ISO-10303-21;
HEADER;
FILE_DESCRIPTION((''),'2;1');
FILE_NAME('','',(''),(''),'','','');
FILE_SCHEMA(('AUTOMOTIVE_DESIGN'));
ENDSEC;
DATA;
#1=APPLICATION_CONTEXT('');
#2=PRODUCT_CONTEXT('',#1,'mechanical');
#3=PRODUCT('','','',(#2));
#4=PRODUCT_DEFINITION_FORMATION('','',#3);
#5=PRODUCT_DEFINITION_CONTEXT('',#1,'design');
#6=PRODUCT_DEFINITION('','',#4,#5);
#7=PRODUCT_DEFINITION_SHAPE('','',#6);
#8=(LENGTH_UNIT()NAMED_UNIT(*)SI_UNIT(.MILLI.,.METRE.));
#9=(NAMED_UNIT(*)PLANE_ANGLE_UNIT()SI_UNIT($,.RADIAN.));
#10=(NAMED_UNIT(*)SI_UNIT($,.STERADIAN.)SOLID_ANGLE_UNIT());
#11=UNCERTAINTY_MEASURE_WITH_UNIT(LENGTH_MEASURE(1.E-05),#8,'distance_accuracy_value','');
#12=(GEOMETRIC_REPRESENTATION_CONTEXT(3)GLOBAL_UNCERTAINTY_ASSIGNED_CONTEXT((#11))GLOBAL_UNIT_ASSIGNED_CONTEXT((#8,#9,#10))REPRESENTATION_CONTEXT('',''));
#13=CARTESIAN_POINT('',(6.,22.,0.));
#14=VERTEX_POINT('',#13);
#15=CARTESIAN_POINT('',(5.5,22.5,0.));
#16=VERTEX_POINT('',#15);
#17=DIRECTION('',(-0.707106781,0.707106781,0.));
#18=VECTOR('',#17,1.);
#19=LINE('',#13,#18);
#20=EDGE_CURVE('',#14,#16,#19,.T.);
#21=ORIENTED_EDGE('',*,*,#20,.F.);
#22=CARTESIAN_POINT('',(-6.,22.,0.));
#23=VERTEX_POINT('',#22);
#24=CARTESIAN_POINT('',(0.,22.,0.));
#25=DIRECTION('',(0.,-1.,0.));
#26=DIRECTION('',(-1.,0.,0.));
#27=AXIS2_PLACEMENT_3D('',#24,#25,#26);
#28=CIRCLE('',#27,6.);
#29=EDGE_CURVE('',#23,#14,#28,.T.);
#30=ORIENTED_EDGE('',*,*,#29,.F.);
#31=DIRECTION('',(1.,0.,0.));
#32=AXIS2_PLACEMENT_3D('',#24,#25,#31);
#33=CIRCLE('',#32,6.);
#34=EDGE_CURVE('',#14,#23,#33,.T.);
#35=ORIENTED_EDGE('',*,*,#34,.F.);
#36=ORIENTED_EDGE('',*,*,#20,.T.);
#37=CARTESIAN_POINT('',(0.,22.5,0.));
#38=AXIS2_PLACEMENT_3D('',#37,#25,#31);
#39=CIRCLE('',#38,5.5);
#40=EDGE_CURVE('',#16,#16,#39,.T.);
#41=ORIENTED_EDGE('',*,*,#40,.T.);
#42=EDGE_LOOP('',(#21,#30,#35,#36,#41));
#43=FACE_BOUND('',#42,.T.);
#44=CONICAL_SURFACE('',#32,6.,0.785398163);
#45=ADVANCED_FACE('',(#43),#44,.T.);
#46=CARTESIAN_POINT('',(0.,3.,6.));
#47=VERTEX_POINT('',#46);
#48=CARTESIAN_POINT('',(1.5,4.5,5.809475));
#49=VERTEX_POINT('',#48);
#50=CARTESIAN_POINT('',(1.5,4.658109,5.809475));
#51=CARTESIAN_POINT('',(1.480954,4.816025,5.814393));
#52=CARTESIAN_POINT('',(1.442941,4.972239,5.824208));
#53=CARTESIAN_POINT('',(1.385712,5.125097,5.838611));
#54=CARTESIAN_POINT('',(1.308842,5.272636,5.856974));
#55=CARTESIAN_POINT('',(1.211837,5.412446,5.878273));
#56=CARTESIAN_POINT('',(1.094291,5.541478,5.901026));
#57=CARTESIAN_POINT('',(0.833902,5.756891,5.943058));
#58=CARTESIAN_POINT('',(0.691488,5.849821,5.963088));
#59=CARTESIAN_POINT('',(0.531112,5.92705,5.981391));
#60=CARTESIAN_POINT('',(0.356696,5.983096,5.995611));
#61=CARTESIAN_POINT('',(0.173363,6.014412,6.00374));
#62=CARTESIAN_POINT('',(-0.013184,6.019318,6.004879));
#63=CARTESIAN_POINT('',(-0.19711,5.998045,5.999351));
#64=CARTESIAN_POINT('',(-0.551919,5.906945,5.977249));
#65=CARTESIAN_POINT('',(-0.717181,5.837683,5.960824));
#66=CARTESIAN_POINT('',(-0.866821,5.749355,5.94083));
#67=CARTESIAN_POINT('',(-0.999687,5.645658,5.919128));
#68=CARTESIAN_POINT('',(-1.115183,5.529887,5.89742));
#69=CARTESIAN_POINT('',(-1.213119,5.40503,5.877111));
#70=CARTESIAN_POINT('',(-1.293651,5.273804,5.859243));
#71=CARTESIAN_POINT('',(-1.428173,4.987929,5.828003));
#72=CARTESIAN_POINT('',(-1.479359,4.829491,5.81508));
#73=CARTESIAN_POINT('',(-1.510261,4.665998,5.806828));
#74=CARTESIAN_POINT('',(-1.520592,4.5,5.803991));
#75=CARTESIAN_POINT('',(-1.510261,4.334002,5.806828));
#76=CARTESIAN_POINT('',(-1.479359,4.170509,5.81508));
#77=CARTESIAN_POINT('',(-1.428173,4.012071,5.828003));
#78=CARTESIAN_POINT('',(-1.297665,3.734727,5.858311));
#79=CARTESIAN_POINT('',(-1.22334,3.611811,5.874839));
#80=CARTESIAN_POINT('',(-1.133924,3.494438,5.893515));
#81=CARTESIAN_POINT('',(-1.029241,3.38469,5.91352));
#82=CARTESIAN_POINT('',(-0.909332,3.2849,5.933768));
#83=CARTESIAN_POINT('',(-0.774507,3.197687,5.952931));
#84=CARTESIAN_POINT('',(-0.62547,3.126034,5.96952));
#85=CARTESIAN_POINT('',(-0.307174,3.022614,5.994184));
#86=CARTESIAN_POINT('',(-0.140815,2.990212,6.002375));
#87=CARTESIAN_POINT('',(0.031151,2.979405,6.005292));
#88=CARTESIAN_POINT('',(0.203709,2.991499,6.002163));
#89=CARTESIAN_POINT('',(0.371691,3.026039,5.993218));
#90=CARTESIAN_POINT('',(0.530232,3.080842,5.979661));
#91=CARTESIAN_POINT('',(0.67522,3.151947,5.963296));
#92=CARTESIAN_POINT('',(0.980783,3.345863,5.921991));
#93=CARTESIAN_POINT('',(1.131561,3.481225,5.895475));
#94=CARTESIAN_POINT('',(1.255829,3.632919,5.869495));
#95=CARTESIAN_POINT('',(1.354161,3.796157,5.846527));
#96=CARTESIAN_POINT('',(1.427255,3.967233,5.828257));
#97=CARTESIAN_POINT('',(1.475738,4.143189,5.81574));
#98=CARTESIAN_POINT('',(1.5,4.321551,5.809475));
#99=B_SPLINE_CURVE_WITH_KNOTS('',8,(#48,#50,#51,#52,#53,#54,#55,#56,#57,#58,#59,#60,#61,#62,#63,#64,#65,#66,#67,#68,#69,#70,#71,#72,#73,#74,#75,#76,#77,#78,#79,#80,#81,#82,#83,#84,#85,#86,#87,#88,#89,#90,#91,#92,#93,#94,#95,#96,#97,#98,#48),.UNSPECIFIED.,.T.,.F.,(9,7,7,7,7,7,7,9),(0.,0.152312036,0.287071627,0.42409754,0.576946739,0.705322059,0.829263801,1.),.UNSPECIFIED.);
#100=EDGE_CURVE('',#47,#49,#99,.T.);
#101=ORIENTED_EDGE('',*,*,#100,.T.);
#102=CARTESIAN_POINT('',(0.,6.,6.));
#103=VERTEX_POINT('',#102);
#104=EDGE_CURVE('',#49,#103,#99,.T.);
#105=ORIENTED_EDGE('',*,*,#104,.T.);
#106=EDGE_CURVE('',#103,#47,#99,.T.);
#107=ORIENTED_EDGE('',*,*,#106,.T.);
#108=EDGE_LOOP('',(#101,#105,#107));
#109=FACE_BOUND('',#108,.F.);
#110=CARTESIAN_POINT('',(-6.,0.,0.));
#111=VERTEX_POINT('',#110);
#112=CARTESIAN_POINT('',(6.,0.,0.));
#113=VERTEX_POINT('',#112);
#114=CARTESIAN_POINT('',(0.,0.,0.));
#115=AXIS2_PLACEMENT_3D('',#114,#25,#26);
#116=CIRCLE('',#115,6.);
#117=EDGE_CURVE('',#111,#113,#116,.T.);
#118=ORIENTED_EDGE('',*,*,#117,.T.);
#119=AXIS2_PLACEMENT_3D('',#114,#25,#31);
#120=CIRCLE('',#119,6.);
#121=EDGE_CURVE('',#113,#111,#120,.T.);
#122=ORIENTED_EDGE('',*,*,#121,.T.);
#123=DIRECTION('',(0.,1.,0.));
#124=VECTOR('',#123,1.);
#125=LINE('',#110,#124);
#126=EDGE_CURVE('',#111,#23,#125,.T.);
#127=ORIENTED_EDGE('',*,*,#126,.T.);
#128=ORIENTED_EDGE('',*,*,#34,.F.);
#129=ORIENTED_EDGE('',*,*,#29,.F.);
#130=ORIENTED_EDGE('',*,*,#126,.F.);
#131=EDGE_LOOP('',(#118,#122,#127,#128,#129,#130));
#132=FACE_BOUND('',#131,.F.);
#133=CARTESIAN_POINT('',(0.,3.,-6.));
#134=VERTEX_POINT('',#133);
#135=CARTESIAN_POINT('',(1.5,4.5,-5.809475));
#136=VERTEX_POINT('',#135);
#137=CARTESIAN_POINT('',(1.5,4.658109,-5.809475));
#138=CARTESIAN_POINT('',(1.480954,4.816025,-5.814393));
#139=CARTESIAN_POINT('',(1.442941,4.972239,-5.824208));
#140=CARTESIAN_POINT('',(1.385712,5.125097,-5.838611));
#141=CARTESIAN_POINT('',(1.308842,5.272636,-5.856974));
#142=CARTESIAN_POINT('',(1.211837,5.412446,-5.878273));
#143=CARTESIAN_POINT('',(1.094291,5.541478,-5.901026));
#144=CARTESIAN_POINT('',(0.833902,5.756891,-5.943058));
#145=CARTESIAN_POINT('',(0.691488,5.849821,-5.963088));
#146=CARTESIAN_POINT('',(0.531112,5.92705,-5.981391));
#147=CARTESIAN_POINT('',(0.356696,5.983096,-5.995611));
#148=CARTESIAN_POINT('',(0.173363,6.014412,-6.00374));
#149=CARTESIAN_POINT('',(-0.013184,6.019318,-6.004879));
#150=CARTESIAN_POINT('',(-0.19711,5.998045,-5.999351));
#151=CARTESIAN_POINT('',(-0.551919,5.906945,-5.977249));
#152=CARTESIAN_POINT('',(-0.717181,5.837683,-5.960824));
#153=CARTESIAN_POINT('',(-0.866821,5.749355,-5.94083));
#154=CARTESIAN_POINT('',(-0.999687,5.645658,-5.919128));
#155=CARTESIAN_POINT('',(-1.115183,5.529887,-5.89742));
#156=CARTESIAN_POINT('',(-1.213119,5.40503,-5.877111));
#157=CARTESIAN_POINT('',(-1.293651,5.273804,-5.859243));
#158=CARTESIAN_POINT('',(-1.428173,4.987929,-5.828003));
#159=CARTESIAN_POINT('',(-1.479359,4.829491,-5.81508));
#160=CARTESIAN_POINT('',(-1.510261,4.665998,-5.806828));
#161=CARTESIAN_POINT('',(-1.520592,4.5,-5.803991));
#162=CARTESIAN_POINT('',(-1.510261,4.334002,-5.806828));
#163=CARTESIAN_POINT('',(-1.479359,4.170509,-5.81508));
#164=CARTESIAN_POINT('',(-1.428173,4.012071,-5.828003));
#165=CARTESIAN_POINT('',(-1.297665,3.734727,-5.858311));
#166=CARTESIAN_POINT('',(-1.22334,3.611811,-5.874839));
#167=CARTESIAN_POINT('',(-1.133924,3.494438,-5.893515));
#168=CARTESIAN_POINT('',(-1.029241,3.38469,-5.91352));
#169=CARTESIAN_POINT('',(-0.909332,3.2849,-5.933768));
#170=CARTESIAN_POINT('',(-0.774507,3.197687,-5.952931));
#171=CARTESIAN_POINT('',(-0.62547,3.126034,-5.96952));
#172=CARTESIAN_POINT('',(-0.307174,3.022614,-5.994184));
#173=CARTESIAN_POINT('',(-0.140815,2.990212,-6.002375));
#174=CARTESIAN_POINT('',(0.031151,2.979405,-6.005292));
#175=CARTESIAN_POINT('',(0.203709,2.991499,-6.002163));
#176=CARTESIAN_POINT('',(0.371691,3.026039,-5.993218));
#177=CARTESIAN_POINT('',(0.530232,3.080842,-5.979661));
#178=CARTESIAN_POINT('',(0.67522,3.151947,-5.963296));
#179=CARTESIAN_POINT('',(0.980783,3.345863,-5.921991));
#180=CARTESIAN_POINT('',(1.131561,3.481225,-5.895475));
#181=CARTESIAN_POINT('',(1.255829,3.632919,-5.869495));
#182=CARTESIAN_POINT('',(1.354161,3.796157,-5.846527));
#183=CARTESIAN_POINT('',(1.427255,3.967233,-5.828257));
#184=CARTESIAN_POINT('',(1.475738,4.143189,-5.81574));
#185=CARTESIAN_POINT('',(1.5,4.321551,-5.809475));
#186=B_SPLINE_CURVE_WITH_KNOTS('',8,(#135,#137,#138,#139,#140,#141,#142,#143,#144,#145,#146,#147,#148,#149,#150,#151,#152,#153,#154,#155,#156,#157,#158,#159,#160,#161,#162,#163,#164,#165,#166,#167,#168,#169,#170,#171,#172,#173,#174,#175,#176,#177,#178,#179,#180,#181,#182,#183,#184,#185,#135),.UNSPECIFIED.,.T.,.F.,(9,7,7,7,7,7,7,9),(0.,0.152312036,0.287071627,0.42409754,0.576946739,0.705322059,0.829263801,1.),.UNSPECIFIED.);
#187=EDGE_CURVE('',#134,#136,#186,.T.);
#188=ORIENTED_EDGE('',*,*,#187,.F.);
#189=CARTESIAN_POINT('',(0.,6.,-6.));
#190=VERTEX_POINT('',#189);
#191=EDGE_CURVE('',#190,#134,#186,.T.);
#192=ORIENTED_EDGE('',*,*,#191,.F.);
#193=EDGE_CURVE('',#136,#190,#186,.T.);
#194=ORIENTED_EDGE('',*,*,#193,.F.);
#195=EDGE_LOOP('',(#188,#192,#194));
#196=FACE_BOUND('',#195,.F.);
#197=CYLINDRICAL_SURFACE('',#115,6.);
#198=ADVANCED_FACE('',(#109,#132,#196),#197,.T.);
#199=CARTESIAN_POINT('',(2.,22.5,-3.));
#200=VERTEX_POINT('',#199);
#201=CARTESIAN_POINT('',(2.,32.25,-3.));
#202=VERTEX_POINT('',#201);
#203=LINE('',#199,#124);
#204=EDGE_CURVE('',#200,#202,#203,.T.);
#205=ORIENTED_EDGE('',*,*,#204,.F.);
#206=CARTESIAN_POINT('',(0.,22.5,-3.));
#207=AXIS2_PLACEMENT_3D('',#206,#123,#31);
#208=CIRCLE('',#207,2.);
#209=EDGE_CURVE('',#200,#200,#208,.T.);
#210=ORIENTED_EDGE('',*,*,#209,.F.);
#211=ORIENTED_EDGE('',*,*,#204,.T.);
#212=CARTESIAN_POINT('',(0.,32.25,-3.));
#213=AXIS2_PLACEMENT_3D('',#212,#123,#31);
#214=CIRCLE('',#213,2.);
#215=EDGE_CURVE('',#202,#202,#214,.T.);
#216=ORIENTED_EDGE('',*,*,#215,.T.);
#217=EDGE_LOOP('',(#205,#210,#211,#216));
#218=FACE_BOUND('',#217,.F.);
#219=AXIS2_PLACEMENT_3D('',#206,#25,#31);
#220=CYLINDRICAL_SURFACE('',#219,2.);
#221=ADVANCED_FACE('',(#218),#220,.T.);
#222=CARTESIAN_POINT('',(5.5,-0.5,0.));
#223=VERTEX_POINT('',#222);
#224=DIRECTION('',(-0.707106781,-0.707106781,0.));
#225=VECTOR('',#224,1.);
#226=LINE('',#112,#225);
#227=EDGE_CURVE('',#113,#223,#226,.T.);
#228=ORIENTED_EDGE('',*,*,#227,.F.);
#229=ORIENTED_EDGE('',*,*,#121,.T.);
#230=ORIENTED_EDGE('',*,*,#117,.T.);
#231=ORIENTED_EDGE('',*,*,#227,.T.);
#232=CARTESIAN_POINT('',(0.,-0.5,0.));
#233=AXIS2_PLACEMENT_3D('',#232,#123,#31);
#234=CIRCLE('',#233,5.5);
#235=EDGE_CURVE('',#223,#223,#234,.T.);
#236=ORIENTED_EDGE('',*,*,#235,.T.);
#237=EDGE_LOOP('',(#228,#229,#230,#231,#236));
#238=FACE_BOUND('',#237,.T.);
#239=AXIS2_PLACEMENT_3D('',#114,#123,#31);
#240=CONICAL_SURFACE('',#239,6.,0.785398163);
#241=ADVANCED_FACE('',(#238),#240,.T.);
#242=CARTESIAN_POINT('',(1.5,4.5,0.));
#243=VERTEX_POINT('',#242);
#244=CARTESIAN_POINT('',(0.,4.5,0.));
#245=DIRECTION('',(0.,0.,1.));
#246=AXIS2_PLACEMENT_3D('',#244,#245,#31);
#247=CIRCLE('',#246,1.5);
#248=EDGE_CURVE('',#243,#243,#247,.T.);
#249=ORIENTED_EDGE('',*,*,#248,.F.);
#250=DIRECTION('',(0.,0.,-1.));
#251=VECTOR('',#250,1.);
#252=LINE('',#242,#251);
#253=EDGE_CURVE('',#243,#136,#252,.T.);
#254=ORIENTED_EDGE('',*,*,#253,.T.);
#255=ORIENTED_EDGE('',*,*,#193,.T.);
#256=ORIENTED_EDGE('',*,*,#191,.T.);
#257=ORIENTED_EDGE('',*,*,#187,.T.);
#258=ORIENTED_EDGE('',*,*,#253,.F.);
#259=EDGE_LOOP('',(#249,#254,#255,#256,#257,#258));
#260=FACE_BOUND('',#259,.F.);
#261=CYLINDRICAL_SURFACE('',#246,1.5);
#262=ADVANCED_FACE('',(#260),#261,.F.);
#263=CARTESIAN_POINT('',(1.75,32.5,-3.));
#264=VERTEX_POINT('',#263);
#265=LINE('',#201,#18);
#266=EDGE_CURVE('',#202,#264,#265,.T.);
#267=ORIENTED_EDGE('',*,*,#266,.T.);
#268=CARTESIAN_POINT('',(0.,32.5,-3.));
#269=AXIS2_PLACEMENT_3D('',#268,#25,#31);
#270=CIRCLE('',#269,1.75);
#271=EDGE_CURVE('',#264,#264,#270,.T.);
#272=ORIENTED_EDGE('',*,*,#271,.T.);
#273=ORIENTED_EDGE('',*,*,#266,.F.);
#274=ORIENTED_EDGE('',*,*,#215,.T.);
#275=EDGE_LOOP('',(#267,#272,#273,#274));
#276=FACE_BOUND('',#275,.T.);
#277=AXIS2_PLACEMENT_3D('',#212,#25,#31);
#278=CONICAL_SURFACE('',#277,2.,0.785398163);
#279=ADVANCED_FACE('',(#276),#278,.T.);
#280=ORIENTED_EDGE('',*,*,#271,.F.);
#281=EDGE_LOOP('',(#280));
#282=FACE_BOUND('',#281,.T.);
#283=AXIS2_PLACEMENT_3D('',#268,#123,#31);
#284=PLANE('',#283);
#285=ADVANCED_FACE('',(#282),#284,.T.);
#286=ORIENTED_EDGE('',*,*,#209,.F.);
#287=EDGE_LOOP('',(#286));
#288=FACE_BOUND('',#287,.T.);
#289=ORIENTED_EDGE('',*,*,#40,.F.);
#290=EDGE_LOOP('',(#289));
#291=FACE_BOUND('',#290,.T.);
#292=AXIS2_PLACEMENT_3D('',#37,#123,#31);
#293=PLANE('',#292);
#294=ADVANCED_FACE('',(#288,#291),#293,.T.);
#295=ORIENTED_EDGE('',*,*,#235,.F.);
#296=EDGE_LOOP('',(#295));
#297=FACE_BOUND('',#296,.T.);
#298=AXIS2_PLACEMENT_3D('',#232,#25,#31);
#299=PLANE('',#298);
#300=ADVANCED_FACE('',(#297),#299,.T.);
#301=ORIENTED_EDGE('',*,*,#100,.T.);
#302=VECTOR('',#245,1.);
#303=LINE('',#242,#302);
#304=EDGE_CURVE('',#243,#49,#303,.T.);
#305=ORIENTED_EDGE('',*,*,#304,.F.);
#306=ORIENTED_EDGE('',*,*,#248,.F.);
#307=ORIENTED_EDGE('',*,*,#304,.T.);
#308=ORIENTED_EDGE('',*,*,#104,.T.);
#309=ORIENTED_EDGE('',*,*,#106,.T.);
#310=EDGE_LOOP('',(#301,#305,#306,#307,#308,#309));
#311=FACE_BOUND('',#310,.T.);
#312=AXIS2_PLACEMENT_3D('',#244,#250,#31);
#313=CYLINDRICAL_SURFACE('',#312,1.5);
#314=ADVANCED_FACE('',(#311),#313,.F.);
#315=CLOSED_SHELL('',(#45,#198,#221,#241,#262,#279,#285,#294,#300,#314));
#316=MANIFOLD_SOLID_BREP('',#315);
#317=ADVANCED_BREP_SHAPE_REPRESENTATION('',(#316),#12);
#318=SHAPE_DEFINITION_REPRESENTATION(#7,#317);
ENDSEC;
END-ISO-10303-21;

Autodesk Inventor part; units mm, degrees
ref_plane "YZ Plane" through (0, 0, 0) normal (1, 0, 0) x (0, 1, 0)
ref_plane "XZ Plane" through (0, 0, 0) normal (0, 1, 0) x (-1, 0, 0)
ref_plane "XY Plane" through (0, 0, 0) normal (0, 0, 1) x (1, 0, 0)
sketch "Sketch1" plane through (0, 0, 0) normal (0, 1, 0) x (-1, 0, 0)
  circle A0 centre (0, 0) radius 6
  dimension "d0" = 12
extrude "Extrusion1" add sketch "Sketch1" along normal blind 22
sketch "Sketch2" plane through (0, 22, 0) normal (0, 1, 0) x (1, 0, 0)
  circle A0 centre (0, 0) radius 6
  dimension "d3" = 12
extrude "Extrusion2" add sketch "Sketch2" along normal blind 0.5 draft -45
sketch "Sketch3" plane through (0, 0, 0) normal (0, -1, 0) x (1, 0, 0)
  circle A0 centre (0, 0) radius 6
  dimension "d6" = 12
extrude "Extrusion3" add sketch "Sketch3" along normal blind 0.5 draft -45
sketch "Sketch6" plane through (0, 0, 0) normal (0, 0, 1) x (1, 0, 0)
  circle A0 centre (0, 4.5) radius 1.5
  point P0 (0, 0)
  dimension "d9" = 3
extrude "Extrusion4" cut sketch "Sketch6" along normal mid plane 12
sketch "Sketch7" plane through (0, 22.5, 0) normal (0, 1, 0) x (1, 0, 0)
  circle A0 centre (0, 3) radius 2
  point P0 (0, 0)
  dimension "d12" = 4
extrude "Extrusion5" add sketch "Sketch7" along normal blind 9.75
sketch "Sketch9" plane through (0, 32.25, -3) normal (0, 1, 0) x (1, 0, 0)
  circle A0 centre (0, 0) radius 2
  point P0 (0, -3)
  dimension "d15" = 4
extrude "Extrusion6" add sketch "Sketch9" along normal blind 0.25 draft -45
properties part number "crankshaft valve crank" material "Stainless Steel"
